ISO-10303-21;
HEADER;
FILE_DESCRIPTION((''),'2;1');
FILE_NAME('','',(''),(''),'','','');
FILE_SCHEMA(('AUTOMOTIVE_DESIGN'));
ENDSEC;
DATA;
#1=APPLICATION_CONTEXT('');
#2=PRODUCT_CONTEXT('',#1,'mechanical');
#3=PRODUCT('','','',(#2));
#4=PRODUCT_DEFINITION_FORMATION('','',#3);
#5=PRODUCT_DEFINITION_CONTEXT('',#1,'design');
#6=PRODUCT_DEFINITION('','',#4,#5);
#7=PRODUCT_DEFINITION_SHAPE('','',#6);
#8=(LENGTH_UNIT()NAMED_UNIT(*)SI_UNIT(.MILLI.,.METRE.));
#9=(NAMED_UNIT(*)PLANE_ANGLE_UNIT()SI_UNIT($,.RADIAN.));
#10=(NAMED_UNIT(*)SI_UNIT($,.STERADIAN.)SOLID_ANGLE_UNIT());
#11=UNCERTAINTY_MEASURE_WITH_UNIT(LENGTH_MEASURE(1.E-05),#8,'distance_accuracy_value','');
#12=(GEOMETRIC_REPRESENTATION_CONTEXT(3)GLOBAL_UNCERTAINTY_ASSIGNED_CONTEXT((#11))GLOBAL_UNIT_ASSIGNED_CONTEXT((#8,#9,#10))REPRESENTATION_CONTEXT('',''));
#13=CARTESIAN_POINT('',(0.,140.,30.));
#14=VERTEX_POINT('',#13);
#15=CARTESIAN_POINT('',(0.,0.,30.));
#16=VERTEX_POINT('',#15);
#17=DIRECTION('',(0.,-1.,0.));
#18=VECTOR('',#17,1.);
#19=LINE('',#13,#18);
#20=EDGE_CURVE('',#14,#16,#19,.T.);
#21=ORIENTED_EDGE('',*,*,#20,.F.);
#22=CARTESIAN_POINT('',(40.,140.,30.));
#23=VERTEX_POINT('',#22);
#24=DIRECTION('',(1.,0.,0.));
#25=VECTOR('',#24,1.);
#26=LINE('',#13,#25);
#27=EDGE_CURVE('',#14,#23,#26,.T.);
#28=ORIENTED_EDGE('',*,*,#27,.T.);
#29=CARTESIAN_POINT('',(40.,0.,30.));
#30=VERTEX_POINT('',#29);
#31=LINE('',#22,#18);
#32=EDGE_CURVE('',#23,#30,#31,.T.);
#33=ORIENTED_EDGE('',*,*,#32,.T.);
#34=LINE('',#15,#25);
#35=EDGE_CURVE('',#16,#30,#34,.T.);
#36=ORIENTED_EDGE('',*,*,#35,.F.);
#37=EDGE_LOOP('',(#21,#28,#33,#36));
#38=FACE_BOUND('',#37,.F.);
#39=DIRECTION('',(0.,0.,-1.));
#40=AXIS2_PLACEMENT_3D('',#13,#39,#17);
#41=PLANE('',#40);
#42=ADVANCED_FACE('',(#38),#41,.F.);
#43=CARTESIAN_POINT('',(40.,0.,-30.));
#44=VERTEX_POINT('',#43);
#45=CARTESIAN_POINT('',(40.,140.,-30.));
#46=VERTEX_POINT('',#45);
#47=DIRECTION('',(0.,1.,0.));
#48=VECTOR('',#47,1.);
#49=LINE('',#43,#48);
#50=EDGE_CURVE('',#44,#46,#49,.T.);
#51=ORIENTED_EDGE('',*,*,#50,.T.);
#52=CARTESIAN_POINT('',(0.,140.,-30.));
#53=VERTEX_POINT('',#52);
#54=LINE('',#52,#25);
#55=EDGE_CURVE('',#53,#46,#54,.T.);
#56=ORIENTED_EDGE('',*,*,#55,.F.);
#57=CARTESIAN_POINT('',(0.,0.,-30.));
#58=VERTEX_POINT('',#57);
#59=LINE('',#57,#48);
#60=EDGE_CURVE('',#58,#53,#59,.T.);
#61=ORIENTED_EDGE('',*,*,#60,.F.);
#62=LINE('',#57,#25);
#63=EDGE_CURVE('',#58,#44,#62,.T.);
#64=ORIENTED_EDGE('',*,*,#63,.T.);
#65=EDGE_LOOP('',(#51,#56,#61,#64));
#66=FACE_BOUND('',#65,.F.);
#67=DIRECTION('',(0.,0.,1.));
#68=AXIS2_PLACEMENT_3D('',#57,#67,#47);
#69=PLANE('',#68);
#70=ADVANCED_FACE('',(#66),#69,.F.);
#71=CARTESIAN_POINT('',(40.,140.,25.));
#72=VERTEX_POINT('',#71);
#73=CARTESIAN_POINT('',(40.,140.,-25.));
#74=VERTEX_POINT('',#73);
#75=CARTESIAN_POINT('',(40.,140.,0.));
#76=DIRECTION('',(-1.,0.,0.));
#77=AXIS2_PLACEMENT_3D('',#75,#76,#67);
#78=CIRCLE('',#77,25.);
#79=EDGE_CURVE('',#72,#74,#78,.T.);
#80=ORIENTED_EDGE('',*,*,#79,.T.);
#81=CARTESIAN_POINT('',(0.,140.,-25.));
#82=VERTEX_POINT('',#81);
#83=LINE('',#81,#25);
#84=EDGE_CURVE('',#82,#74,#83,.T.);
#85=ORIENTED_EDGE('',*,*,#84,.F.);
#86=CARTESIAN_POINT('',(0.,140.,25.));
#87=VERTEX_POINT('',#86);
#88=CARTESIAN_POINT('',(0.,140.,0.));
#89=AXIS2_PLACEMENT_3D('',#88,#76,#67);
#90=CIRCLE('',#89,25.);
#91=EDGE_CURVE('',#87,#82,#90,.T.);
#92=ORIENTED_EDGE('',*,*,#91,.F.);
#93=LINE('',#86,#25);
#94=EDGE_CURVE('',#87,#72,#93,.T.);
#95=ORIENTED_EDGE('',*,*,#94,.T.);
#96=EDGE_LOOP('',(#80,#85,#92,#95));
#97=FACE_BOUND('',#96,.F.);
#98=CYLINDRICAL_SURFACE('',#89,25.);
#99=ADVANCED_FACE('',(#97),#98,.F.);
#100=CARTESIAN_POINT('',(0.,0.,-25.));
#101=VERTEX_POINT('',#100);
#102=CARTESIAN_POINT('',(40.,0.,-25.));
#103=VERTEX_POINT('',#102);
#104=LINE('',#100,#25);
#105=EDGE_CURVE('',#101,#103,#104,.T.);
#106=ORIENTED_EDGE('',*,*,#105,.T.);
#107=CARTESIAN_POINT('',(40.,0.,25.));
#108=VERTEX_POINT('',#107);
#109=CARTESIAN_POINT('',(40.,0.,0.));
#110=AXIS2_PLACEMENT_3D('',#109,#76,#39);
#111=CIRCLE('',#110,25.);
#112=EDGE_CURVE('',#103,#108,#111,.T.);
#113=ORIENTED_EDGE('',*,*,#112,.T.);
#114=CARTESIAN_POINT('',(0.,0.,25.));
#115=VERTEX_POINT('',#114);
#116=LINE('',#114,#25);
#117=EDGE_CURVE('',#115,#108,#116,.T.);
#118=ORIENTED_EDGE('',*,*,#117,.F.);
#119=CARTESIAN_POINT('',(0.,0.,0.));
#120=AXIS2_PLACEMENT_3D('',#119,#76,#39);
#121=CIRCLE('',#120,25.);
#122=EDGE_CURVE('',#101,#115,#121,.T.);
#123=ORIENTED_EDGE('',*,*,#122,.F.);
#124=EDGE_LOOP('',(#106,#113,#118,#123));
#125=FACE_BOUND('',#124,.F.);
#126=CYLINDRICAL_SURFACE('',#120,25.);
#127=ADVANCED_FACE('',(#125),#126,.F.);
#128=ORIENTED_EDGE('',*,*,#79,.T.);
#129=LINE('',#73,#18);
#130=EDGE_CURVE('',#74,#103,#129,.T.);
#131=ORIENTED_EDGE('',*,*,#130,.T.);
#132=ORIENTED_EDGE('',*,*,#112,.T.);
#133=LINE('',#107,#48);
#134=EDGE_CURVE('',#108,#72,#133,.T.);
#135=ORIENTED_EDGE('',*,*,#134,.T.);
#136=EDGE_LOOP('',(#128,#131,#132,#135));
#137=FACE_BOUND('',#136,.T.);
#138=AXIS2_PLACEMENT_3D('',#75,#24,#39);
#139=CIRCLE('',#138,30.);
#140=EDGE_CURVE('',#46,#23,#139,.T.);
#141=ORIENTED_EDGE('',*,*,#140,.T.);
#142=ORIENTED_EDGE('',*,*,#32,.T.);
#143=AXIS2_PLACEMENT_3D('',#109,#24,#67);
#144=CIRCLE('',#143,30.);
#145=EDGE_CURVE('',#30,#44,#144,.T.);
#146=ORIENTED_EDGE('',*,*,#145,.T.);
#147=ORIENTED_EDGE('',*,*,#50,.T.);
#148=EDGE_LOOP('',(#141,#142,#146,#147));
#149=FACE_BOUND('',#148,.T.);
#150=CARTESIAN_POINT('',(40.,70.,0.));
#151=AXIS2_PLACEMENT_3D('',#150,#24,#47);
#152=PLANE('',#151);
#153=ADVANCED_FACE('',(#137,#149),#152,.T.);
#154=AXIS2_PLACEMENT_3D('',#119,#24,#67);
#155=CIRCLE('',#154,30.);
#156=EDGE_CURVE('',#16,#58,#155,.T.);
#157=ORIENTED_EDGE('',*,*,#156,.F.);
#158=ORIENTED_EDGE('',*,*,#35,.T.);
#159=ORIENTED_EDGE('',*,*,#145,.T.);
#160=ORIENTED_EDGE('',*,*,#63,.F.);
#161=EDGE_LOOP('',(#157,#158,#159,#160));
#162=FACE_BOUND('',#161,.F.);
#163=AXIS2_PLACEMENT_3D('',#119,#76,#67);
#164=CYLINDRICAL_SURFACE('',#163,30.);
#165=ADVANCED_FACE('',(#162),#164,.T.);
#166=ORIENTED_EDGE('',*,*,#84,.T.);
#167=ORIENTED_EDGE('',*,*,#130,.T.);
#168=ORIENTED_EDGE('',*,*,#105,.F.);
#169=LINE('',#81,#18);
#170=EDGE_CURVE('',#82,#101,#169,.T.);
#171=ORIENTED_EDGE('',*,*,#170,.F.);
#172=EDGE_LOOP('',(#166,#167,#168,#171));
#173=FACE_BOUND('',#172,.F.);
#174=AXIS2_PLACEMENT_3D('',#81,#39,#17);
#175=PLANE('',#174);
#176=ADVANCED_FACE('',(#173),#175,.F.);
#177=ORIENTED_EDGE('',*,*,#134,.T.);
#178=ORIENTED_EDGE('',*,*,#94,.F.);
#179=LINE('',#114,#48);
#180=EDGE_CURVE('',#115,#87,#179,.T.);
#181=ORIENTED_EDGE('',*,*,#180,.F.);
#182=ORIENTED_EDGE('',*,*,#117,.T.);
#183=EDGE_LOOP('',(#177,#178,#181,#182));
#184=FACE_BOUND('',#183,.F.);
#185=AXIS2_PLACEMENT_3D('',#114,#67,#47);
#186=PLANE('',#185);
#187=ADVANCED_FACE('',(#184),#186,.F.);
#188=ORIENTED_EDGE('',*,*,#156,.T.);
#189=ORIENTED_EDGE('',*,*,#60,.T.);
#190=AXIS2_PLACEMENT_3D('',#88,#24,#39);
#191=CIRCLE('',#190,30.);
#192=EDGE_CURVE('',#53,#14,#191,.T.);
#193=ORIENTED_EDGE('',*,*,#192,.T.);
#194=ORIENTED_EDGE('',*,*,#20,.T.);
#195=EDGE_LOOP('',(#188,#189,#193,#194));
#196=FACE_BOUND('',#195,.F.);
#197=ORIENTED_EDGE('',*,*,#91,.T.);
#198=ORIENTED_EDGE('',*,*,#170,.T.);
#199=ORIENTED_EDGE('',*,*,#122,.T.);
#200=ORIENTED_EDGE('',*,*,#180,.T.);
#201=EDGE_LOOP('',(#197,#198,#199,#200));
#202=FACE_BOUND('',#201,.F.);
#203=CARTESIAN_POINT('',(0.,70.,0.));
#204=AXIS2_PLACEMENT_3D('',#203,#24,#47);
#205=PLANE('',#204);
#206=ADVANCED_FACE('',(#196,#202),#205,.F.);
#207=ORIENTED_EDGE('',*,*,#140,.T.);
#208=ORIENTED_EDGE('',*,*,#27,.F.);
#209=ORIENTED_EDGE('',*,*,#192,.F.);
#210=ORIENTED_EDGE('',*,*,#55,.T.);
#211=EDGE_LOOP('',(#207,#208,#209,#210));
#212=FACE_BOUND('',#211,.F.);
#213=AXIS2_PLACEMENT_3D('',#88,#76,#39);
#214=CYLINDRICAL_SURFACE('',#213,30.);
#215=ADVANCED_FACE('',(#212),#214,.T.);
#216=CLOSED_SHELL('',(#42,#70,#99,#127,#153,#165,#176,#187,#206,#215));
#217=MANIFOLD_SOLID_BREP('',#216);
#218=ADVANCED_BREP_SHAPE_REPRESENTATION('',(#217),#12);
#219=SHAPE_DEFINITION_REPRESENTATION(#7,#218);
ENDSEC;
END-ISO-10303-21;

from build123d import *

# Parameters (mm, degrees)
F1_DEPTH = 40


with BuildPart() as f1:
    # F0 (on Right) → F1 (new body)
    with BuildSketch(Plane.YZ):
        with BuildLine():
            ThreePointArc((0, 30), (-30, 0), (0, -30))
            Line((0, -30), (140, -30))
            ThreePointArc((140, -30), (170, 0), (140, 30))
            Line((140, 30), (0, 30))
        make_face()
        with BuildLine():
            ThreePointArc((0, -25), (-25, 0), (0, 25))
            Line((0, 25), (140, 25))
            ThreePointArc((140, 25), (165, 0), (140, -25))
            Line((140, -25), (0, -25))
        make_face(mode=Mode.SUBTRACT)
    extrude(amount=F1_DEPTH)


solid = f1.part
